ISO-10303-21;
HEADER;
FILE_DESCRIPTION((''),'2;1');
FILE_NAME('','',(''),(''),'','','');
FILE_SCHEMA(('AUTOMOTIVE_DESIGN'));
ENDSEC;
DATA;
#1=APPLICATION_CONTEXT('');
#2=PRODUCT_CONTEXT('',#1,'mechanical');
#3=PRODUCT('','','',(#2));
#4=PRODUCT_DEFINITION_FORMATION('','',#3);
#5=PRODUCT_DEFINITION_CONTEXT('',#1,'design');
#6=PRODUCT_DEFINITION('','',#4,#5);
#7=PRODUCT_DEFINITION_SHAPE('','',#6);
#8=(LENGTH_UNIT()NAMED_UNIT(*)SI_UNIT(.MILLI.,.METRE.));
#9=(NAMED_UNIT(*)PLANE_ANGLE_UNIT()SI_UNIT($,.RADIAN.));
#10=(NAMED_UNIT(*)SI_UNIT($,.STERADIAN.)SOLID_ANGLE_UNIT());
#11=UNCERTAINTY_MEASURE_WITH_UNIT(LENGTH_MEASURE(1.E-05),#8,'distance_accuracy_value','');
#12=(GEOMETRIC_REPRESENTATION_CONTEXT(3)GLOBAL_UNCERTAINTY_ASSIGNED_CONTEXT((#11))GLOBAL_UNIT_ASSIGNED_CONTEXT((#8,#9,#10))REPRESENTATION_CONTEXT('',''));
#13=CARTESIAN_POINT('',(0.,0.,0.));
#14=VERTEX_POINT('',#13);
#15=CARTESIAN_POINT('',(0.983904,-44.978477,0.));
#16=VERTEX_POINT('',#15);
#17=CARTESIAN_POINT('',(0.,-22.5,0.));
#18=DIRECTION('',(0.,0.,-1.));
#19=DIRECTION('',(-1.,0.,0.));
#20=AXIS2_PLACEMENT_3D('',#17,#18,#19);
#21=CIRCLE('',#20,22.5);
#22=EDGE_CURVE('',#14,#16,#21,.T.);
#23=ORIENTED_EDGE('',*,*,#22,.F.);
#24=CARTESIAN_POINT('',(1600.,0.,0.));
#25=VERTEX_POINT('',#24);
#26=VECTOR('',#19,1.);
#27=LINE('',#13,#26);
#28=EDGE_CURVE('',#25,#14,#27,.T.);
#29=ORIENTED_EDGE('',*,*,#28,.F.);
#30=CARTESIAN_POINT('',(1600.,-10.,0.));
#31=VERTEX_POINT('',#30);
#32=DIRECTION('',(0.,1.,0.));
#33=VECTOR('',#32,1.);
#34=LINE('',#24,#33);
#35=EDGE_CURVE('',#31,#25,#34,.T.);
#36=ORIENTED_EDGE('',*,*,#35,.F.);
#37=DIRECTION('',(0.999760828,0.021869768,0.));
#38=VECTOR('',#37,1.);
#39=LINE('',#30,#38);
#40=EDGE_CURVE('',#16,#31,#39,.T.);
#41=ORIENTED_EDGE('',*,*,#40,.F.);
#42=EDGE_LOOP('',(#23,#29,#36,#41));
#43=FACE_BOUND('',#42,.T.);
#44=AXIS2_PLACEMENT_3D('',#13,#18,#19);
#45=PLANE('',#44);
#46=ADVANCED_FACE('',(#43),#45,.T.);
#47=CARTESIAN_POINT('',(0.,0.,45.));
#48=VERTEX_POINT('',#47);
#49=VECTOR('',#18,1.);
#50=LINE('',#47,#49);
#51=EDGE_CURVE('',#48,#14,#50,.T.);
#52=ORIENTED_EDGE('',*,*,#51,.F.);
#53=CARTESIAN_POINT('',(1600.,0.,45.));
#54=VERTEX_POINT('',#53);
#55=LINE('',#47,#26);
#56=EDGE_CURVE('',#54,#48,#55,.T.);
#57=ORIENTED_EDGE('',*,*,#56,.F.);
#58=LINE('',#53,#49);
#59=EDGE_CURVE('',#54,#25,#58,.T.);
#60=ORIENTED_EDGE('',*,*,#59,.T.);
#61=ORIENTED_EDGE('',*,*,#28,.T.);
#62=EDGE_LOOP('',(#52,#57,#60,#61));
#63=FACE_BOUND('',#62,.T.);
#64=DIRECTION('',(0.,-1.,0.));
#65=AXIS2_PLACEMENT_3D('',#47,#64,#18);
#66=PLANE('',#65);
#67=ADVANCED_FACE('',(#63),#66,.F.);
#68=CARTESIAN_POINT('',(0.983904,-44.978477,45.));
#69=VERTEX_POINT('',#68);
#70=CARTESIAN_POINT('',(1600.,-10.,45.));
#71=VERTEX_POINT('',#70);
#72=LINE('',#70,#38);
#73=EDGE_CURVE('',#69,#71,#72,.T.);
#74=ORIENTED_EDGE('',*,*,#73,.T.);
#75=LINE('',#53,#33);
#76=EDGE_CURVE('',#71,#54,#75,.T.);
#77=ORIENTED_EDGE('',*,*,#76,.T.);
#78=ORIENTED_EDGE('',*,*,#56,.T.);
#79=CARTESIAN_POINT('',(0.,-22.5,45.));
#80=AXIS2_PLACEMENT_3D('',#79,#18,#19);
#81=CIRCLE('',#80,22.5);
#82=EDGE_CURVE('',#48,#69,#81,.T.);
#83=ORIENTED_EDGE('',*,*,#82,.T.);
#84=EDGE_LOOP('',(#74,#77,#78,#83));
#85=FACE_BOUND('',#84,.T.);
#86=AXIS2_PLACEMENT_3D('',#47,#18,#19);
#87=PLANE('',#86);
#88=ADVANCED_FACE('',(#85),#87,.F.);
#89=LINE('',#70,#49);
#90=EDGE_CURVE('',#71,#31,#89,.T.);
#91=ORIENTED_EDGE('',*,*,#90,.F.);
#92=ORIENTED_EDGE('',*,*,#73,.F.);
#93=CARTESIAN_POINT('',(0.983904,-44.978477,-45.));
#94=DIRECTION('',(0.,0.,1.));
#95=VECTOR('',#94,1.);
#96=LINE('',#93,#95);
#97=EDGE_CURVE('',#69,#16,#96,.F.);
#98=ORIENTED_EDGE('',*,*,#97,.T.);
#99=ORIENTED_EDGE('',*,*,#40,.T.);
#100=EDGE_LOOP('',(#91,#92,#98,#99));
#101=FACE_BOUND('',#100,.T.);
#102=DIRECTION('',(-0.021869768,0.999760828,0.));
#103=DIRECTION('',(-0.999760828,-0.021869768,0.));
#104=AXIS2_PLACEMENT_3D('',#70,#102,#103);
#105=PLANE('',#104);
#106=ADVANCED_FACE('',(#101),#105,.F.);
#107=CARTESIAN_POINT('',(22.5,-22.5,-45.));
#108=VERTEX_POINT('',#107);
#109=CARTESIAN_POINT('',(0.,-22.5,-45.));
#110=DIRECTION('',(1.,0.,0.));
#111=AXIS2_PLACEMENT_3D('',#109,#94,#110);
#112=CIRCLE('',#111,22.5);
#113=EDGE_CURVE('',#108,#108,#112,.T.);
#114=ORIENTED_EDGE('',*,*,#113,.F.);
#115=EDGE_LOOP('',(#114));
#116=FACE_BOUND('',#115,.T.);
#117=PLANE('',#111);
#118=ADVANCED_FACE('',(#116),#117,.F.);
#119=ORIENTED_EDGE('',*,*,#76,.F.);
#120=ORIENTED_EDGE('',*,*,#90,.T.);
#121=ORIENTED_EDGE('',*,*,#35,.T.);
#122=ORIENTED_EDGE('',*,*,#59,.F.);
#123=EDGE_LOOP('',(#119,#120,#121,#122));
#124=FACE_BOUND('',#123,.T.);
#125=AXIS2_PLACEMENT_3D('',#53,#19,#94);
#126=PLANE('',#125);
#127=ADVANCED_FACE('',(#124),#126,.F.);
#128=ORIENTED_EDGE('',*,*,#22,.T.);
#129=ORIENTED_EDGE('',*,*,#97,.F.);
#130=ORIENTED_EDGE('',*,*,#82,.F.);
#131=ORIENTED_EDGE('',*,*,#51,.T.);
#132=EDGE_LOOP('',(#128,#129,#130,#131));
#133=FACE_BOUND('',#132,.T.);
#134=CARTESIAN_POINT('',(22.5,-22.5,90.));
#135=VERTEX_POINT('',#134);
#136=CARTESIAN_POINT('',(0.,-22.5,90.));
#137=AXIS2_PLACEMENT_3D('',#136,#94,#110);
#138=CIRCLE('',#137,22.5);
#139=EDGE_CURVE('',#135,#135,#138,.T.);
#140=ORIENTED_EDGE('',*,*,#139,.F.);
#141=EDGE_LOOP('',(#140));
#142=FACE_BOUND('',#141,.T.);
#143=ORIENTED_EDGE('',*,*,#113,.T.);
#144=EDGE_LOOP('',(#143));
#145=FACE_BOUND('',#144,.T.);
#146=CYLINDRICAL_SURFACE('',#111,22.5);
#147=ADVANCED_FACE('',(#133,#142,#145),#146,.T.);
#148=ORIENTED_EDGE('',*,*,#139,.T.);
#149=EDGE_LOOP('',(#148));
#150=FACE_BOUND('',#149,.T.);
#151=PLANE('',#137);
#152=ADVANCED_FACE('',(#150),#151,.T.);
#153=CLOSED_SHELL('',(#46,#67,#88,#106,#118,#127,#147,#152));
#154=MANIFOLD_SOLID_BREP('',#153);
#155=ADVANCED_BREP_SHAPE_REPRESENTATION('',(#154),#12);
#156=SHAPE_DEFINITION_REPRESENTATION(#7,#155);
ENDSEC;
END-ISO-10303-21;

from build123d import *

# Parameters (mm, degrees)
BOSS_EXTRUDE1_DEPTH      = 45
BOSS_EXTRUDE2_DEPTH      = 45
BOSS_EXTRUDE2_DEPTH_BACK = 90
SKETCH2_R                = 22.5


with BuildPart() as part:
    # Sketch1 → Boss-Extrude1 (new body)
    with BuildSketch(Plane.XY):
        Polygon((0, 0), (1600, 0), (1600, -10), (0, -45), align=None)
    extrude(amount=BOSS_EXTRUDE1_DEPTH)

    # Sketch2 → Boss-Extrude2 (add, two sides: drawn at the far end of the back side and taken through both)
    with BuildSketch(Plane.XY.offset(45).offset(-BOSS_EXTRUDE2_DEPTH_BACK)):
        with Locations((0, -22.5)):
            Circle(SKETCH2_R)
    extrude(amount=BOSS_EXTRUDE2_DEPTH + BOSS_EXTRUDE2_DEPTH_BACK)


solid = part.part
